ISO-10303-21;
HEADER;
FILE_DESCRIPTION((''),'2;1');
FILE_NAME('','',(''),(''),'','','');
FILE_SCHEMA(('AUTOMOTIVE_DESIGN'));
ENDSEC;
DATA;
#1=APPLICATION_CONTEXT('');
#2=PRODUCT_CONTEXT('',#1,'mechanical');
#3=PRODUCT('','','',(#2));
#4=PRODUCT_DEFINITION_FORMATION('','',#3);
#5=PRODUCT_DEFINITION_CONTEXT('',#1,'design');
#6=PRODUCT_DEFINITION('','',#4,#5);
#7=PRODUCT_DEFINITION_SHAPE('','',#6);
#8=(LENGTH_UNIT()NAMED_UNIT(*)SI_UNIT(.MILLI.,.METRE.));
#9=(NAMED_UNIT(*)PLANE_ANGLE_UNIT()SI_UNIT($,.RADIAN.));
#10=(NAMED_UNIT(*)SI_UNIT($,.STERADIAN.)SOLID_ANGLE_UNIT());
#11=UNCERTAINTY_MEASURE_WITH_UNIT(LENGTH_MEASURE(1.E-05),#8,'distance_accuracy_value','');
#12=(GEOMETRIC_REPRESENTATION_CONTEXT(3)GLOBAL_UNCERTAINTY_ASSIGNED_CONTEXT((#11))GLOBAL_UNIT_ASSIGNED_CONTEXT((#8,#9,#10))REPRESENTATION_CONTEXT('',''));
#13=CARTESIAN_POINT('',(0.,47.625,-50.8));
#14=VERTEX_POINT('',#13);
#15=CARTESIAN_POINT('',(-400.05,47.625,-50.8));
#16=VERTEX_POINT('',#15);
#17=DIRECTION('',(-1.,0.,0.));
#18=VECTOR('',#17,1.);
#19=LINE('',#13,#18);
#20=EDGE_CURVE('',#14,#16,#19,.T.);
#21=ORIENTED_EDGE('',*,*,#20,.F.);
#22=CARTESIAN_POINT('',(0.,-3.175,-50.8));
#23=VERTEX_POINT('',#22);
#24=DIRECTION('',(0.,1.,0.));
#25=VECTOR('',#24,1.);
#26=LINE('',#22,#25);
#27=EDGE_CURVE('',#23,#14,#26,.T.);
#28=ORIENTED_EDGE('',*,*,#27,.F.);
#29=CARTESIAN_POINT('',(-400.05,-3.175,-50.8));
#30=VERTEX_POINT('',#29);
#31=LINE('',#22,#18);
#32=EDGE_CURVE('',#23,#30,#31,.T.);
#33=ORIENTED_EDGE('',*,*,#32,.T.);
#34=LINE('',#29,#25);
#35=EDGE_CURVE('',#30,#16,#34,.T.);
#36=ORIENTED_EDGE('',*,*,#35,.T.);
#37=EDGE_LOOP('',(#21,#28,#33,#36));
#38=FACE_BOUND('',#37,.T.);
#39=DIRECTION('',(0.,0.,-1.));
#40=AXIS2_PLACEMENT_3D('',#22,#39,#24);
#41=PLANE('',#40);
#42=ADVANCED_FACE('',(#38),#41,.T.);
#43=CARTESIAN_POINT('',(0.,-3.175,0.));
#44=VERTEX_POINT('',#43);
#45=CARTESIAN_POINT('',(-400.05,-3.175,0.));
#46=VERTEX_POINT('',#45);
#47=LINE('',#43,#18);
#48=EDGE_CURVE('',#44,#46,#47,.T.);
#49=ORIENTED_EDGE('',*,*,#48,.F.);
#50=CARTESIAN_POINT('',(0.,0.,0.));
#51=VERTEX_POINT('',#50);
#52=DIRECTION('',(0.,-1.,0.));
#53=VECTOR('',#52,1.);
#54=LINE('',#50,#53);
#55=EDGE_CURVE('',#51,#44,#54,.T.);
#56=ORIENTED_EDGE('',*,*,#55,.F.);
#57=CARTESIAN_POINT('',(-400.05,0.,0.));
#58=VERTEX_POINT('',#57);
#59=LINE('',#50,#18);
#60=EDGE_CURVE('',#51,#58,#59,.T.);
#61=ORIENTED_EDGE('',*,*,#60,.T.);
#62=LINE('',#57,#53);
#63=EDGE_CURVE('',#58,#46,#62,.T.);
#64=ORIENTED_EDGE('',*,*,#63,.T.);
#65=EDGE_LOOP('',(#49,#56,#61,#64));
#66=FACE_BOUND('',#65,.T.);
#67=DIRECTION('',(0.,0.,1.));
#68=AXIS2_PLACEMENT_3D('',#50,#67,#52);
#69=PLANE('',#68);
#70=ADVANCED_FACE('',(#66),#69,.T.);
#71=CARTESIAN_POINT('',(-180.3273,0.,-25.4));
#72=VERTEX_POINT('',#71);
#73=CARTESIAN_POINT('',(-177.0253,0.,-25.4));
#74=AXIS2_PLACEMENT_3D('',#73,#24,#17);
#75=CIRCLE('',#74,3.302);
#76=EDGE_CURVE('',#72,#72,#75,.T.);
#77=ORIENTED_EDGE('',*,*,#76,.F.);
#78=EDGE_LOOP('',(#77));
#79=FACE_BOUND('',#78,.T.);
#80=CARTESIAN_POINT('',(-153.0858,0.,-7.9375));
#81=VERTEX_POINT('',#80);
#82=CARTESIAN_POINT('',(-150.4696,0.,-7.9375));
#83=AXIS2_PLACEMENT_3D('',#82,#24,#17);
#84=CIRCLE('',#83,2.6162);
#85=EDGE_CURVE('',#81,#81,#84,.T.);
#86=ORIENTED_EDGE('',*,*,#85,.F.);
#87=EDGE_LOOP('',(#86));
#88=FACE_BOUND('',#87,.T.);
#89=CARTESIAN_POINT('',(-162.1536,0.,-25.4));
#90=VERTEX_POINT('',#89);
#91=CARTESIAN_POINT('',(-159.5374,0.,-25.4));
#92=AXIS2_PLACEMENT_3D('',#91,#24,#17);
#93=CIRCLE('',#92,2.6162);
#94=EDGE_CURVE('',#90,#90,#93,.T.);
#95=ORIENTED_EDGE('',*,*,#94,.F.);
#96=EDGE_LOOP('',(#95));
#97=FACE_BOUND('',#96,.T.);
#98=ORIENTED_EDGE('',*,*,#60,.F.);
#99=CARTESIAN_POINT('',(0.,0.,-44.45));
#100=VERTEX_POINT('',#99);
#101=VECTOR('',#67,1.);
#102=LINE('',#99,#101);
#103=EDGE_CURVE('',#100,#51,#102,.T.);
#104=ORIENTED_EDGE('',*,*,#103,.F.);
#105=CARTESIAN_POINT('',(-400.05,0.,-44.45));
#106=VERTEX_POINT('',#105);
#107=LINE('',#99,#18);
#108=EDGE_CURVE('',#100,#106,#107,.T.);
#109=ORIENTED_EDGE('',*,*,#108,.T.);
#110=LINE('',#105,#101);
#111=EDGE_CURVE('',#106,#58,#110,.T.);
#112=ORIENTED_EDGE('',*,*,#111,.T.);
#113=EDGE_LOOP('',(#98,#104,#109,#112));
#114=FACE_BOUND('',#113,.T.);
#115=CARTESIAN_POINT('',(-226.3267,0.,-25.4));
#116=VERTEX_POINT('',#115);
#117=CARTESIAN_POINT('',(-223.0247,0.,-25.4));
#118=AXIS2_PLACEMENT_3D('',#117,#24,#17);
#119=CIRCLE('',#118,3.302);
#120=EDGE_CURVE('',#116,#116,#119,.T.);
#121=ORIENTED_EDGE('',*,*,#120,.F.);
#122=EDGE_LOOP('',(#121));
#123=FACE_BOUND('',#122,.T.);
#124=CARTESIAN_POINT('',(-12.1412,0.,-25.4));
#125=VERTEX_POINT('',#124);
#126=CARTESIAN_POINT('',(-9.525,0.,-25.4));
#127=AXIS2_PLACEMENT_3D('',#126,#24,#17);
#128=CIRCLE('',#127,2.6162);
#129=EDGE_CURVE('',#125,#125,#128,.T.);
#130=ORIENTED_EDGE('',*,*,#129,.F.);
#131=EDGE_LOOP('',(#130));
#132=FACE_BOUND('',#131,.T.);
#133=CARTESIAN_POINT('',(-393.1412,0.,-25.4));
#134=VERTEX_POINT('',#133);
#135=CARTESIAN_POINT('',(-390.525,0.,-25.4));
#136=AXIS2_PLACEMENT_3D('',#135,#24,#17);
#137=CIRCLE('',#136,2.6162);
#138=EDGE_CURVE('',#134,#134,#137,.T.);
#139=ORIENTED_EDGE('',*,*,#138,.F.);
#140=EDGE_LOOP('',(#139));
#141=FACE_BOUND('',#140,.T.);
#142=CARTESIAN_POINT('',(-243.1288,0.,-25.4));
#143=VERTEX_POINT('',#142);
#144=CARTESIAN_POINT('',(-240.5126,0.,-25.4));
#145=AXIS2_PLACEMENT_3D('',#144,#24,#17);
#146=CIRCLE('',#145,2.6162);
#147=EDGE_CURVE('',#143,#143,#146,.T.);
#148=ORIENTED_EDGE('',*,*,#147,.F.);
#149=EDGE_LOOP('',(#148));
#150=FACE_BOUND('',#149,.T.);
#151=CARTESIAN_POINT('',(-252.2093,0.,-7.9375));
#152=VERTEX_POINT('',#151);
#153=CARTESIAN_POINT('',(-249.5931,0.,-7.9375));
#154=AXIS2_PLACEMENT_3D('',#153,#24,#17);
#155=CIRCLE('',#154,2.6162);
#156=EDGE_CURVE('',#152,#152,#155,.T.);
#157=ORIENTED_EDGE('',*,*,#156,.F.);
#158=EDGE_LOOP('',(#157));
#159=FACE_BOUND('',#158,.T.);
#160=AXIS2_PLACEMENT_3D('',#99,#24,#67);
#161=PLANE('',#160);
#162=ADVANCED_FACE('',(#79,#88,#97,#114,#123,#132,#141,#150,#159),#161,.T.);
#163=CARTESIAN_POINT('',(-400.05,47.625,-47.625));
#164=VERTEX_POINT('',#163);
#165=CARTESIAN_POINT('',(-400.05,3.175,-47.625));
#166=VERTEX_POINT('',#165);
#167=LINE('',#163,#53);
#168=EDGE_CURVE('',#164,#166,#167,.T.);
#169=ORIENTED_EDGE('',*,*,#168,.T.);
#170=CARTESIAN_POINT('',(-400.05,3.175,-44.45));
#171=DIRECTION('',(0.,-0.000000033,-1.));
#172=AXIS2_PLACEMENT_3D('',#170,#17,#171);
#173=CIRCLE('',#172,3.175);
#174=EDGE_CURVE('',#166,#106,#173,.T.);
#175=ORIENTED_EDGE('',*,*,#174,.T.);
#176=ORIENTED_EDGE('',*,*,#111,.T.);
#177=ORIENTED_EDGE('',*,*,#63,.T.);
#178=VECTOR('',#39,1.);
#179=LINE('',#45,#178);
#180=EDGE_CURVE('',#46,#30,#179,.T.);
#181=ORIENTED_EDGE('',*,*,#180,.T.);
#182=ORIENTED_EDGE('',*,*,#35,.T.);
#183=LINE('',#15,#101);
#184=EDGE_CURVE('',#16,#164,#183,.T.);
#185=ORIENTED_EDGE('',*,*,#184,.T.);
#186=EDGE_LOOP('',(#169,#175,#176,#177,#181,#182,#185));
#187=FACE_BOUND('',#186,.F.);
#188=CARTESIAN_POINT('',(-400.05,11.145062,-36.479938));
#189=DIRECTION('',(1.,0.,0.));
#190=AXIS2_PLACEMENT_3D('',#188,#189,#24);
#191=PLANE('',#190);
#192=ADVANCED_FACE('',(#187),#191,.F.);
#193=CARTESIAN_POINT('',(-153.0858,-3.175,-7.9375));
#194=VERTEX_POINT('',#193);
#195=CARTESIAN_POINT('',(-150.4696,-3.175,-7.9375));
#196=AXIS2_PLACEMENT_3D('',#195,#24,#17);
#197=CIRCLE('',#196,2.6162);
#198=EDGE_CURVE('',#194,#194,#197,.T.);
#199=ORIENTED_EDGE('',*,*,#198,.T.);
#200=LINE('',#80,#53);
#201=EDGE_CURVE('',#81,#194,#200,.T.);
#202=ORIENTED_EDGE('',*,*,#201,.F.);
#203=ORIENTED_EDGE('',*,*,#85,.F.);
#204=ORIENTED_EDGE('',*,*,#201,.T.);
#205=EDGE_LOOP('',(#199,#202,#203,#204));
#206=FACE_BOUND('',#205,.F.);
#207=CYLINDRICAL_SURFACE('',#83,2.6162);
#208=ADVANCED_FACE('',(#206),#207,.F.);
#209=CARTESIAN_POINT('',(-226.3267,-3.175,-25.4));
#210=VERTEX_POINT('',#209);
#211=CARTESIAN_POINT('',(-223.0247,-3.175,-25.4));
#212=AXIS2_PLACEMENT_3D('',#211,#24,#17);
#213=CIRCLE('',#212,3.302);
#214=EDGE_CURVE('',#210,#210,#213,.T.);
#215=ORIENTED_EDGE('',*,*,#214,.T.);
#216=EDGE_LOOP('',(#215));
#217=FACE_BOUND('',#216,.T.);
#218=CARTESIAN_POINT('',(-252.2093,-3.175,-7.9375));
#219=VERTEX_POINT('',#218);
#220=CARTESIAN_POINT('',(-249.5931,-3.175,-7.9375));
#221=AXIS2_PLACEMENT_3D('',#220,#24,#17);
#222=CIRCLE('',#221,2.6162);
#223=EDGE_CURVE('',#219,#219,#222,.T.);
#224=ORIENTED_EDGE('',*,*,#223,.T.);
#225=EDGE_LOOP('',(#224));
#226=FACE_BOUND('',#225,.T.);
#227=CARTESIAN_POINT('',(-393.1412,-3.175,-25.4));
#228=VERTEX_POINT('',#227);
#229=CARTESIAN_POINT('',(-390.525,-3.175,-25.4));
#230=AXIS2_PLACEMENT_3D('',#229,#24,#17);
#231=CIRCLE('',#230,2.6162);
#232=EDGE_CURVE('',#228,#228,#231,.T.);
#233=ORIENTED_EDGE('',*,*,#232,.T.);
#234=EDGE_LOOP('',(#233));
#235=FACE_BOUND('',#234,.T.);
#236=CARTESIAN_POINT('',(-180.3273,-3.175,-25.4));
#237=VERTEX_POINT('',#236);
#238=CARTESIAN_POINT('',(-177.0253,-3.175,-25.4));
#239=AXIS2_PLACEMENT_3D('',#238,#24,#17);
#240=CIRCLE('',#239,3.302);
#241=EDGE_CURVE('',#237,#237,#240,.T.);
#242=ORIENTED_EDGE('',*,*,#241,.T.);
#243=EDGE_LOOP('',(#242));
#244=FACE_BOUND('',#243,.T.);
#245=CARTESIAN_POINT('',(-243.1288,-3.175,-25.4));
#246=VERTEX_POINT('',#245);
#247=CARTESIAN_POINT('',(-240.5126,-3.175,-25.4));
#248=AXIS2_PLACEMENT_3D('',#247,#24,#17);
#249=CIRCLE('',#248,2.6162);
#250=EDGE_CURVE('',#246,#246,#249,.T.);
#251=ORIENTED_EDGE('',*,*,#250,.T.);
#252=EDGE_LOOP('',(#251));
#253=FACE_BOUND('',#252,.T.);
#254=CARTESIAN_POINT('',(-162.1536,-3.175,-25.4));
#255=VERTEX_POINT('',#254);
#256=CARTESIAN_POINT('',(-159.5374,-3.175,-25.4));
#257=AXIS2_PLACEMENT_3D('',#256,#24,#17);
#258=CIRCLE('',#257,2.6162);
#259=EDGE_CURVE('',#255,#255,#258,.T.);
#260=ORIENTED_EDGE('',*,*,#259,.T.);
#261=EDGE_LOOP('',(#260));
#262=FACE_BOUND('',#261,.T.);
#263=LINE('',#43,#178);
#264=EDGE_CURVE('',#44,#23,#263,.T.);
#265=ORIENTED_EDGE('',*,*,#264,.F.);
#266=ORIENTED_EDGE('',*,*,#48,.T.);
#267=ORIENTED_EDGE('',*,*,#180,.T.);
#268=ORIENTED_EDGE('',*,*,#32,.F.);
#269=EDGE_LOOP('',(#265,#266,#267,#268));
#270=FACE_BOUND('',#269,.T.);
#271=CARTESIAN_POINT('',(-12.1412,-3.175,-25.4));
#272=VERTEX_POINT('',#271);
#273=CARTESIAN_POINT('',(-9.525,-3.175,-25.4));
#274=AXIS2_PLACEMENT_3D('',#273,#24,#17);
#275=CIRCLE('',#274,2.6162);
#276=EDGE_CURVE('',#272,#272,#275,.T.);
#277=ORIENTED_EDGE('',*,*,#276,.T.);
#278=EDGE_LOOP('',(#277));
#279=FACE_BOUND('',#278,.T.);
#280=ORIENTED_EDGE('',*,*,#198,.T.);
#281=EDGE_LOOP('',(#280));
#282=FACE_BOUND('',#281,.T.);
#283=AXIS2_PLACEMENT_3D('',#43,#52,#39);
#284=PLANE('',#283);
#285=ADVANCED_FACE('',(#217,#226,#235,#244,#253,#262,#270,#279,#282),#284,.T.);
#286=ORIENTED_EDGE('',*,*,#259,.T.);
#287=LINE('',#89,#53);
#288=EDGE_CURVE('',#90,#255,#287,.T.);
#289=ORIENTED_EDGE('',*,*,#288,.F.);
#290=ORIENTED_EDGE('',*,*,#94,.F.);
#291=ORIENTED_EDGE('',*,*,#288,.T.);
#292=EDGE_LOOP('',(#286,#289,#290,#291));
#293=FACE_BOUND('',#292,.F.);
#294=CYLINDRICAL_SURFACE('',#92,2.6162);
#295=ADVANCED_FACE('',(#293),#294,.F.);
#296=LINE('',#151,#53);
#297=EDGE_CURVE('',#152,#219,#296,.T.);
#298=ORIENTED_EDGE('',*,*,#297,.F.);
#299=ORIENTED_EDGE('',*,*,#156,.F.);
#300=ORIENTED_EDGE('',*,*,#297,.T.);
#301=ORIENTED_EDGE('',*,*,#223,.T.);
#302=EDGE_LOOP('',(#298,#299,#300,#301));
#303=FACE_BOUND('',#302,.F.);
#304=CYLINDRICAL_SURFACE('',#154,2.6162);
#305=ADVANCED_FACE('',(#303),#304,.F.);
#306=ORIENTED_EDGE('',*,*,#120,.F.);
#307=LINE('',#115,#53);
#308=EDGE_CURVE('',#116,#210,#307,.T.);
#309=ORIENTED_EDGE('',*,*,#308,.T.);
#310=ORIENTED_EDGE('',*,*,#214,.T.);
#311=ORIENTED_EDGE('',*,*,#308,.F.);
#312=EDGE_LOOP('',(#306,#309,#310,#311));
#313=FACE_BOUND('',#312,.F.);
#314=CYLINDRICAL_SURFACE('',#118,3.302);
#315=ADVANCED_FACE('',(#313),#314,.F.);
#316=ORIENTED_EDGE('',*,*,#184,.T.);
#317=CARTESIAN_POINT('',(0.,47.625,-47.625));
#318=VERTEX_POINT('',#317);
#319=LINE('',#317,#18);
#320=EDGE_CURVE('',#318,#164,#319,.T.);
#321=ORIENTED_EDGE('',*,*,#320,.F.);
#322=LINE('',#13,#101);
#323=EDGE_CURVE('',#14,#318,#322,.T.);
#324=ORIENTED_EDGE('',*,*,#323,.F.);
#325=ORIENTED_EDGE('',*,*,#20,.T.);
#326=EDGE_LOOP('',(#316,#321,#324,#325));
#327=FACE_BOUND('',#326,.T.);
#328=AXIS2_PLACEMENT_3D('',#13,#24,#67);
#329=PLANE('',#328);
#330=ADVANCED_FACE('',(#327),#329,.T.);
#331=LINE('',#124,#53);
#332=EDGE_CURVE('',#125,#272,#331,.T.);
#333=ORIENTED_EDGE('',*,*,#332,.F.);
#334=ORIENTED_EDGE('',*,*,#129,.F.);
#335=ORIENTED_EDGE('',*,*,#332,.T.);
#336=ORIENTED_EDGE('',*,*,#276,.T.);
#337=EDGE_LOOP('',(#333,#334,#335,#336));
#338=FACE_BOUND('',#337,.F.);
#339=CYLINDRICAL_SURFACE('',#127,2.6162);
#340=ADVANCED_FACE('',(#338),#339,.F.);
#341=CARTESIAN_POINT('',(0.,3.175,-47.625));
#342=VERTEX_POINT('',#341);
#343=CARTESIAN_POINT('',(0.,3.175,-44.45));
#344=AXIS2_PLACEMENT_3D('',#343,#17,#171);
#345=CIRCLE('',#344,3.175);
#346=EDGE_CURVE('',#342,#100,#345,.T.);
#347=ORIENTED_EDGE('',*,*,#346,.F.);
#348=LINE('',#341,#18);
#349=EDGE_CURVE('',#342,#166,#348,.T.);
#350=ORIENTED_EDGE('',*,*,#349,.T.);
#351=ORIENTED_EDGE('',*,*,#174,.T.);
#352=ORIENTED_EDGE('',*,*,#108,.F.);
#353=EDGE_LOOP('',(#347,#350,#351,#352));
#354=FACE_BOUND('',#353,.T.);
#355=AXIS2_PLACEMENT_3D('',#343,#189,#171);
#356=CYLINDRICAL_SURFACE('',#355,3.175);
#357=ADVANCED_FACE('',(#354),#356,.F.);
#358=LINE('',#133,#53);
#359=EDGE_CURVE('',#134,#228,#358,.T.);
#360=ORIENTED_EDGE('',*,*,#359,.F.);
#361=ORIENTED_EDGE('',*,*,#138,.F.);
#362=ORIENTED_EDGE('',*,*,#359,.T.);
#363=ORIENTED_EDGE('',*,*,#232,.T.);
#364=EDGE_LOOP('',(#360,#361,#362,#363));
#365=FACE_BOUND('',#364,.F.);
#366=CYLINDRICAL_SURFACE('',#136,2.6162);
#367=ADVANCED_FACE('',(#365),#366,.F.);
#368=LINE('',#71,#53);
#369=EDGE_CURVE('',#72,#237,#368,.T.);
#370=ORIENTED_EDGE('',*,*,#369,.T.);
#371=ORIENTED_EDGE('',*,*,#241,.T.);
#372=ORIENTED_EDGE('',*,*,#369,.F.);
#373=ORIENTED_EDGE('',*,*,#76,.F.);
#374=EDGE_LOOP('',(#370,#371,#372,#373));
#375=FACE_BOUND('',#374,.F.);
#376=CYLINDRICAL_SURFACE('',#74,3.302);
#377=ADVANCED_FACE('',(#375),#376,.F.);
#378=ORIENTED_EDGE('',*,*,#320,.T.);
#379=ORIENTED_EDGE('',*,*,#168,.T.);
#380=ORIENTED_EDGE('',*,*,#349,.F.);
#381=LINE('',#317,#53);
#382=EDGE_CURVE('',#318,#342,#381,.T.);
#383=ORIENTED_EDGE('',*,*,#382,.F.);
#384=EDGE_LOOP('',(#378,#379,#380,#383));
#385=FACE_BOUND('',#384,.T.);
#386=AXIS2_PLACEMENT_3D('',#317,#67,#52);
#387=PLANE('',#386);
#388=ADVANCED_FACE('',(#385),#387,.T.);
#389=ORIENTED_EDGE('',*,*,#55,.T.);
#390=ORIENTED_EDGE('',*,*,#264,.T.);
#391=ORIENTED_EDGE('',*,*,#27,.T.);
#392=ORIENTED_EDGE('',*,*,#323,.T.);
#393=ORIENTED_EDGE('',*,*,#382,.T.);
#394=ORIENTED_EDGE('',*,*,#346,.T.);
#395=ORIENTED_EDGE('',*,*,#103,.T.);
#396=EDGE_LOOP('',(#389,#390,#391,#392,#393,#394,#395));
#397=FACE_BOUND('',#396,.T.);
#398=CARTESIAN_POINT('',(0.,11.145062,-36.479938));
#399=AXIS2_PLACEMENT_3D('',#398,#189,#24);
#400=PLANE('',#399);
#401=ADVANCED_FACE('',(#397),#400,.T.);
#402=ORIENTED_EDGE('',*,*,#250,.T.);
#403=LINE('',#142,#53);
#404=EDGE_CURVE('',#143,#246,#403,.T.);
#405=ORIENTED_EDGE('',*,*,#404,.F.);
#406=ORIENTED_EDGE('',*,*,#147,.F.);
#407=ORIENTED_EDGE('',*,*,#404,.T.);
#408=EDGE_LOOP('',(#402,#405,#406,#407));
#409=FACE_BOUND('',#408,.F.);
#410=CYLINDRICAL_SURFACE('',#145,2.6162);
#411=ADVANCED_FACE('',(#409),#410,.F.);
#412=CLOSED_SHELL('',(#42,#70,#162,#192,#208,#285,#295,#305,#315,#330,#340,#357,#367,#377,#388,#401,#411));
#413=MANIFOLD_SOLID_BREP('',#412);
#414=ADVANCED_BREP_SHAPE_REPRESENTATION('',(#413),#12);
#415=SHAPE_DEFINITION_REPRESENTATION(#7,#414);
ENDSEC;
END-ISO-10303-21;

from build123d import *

# Parameters (mm, degrees)
F1_DEPTH = 400.05
F2_R     = 2.6162
F2_R_2   = 3.302
F3_DEPTH = 3.176


with BuildPart() as f1:
    # F0 (on Right) → F1 (new body)
    with BuildSketch(Plane.YZ):
        with BuildLine():
            Line((0, -44.45), (0, 0))
            Line((0, 0), (-3.175, 0))
            Line((-3.175, 0), (-3.175, -50.8))
            Line((-3.175, -50.8), (47.625, -50.8))
            Line((47.625, -50.8), (47.625, -47.625))
            Line((47.625, -47.625), (3.175, -47.625))
            ThreePointArc((3.175, -47.625), (0.929936, -46.695064), (0, -44.45))
        make_face()
    extrude(amount=-F1_DEPTH)

    # F2 (on face) → F3 (cut, through all)
    with BuildSketch(Plane(origin=(0, 0, 0), x_dir=(-1, 0, 0), z_dir=(0, 1, 0))):
        with Locations((9.525, -25.4)):
            Circle(F2_R)
        with Locations((390.525, -25.4)):
            Circle(F2_R)
        with Locations((159.5374, -25.4)):
            Circle(F2_R)
        with Locations((240.5126, -25.4)):
            Circle(F2_R)
        with Locations((223.0247, -25.4)):
            Circle(F2_R_2)
        with Locations((177.0253, -25.4)):
            Circle(F2_R_2)
        with Locations((249.5931, -7.9375)):
            Circle(F2_R)
        with Locations((150.4696, -7.9375)):
            Circle(F2_R)
    extrude(amount=-F3_DEPTH, mode=Mode.SUBTRACT)


solid = f1.part
